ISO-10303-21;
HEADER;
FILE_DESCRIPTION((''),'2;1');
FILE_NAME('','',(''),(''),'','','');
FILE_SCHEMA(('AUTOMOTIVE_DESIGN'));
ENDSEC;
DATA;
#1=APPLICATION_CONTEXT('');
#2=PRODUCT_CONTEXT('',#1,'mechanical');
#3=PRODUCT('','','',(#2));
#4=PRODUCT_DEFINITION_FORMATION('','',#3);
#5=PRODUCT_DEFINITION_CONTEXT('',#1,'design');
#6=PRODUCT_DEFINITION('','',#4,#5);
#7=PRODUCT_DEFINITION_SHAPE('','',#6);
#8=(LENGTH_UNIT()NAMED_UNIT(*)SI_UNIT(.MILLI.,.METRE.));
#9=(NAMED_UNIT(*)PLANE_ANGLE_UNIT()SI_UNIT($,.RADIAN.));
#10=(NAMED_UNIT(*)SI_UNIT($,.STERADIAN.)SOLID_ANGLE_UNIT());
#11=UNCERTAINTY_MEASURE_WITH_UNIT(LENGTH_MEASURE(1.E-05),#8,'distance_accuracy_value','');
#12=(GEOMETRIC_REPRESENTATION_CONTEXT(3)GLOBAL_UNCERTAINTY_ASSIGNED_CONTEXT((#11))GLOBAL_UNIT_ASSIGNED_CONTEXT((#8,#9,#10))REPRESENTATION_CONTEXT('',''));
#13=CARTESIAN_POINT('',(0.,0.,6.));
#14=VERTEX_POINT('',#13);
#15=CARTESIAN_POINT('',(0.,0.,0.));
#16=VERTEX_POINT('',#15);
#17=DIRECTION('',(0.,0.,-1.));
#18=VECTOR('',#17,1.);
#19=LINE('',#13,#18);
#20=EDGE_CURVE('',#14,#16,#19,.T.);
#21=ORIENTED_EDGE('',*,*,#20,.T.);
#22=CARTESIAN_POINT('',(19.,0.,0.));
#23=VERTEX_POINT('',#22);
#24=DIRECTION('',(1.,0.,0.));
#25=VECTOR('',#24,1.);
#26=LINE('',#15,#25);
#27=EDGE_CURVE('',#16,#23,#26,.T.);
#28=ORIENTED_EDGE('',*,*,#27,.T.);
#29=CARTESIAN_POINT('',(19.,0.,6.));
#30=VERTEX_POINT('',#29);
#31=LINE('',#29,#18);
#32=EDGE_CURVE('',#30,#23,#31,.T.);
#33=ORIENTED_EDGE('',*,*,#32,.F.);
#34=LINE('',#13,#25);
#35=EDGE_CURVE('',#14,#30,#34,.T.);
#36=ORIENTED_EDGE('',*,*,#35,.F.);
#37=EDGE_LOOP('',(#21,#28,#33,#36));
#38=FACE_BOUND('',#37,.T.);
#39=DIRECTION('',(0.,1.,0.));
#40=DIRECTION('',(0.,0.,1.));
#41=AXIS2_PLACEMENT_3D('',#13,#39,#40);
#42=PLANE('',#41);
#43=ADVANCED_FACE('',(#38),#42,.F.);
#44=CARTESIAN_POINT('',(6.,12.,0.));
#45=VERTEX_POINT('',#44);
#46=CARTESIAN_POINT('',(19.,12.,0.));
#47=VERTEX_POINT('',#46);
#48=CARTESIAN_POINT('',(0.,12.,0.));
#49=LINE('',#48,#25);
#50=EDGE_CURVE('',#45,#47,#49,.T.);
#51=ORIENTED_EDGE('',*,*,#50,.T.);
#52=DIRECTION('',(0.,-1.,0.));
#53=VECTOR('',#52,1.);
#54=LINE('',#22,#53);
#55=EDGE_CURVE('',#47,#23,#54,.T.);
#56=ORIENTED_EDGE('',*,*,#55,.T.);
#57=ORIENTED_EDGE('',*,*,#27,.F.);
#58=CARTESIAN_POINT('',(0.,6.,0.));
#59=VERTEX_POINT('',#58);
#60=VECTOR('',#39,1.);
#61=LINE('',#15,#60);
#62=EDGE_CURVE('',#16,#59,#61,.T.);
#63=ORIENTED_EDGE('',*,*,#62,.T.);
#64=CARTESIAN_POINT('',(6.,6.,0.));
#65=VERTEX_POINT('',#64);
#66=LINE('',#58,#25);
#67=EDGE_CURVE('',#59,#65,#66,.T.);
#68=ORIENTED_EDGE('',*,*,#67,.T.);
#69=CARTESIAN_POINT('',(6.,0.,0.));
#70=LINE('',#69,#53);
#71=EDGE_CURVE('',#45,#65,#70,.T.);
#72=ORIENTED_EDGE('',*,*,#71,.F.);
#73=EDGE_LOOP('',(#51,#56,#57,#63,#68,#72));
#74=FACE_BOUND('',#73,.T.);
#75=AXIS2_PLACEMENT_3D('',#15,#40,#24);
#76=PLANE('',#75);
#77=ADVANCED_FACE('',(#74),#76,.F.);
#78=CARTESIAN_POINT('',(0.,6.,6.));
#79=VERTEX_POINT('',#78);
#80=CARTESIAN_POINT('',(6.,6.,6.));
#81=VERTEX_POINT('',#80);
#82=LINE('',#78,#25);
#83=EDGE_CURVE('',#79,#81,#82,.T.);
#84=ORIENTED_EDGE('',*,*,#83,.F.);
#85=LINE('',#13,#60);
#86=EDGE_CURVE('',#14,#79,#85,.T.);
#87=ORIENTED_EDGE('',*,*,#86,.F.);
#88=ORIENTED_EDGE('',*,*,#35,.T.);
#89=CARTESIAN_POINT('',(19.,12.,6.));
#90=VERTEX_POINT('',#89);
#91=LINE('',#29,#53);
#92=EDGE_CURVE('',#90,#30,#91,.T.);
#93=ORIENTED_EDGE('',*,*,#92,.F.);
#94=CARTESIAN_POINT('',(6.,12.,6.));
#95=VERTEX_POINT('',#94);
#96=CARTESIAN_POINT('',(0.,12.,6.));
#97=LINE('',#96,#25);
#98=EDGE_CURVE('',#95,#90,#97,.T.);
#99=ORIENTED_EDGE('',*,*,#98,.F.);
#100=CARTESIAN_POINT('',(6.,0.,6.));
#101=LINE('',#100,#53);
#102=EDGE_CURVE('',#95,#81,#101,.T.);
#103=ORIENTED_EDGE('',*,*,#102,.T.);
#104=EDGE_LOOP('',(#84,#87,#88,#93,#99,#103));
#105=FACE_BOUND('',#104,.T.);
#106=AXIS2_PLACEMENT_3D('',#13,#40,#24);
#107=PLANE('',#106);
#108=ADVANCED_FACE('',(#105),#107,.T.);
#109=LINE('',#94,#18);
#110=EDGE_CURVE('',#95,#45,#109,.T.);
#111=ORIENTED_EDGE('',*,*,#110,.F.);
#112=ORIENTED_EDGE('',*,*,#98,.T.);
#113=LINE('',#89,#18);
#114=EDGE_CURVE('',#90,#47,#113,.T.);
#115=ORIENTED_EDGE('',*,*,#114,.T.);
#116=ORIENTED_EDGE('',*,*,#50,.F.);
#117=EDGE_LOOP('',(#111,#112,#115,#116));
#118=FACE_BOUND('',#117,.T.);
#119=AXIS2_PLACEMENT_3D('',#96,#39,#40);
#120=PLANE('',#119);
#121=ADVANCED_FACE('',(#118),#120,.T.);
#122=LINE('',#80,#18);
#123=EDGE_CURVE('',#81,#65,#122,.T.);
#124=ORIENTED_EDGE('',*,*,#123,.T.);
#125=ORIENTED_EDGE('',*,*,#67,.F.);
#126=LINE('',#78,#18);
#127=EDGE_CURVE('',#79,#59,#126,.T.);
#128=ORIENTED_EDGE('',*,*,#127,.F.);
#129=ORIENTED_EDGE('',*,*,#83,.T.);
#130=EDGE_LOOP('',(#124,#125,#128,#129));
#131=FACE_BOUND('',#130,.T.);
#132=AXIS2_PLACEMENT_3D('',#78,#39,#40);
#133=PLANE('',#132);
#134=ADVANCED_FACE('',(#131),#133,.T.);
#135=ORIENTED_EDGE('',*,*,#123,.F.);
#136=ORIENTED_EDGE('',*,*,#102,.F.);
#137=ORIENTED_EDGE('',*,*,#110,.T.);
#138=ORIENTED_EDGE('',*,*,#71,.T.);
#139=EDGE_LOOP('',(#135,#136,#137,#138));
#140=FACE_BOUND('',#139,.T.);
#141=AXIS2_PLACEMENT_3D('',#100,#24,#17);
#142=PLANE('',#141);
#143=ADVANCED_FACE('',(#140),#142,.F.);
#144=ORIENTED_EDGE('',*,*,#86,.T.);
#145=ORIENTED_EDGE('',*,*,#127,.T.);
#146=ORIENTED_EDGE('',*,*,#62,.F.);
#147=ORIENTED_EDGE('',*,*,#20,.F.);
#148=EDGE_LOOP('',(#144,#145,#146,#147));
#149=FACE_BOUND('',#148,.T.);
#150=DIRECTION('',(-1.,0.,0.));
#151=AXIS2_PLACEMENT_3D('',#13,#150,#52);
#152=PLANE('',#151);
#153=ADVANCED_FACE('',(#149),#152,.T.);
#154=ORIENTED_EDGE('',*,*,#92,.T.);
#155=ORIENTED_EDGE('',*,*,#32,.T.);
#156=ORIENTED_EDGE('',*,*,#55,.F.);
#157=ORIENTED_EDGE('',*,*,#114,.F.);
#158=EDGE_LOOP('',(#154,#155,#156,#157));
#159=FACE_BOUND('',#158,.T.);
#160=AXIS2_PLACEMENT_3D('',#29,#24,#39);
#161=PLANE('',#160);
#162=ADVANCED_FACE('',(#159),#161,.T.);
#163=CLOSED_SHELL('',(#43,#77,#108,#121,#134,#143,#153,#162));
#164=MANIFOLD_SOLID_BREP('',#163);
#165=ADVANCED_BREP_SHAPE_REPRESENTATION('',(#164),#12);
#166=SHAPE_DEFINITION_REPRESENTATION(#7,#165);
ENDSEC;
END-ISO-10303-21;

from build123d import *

# Parameters (mm, degrees)
RESSALTO_EXTRUS_O1_DEPTH = 6


with BuildPart() as part:
    # Esboço1 → Ressalto-extrusão1 (new body)
    with BuildSketch(Plane.XY):
        Polygon((0, 6), (0, 0), (19, 0), (19, 12), (6, 12), (6, 6), align=None)
    extrude(amount=RESSALTO_EXTRUS_O1_DEPTH)


solid = part.part
